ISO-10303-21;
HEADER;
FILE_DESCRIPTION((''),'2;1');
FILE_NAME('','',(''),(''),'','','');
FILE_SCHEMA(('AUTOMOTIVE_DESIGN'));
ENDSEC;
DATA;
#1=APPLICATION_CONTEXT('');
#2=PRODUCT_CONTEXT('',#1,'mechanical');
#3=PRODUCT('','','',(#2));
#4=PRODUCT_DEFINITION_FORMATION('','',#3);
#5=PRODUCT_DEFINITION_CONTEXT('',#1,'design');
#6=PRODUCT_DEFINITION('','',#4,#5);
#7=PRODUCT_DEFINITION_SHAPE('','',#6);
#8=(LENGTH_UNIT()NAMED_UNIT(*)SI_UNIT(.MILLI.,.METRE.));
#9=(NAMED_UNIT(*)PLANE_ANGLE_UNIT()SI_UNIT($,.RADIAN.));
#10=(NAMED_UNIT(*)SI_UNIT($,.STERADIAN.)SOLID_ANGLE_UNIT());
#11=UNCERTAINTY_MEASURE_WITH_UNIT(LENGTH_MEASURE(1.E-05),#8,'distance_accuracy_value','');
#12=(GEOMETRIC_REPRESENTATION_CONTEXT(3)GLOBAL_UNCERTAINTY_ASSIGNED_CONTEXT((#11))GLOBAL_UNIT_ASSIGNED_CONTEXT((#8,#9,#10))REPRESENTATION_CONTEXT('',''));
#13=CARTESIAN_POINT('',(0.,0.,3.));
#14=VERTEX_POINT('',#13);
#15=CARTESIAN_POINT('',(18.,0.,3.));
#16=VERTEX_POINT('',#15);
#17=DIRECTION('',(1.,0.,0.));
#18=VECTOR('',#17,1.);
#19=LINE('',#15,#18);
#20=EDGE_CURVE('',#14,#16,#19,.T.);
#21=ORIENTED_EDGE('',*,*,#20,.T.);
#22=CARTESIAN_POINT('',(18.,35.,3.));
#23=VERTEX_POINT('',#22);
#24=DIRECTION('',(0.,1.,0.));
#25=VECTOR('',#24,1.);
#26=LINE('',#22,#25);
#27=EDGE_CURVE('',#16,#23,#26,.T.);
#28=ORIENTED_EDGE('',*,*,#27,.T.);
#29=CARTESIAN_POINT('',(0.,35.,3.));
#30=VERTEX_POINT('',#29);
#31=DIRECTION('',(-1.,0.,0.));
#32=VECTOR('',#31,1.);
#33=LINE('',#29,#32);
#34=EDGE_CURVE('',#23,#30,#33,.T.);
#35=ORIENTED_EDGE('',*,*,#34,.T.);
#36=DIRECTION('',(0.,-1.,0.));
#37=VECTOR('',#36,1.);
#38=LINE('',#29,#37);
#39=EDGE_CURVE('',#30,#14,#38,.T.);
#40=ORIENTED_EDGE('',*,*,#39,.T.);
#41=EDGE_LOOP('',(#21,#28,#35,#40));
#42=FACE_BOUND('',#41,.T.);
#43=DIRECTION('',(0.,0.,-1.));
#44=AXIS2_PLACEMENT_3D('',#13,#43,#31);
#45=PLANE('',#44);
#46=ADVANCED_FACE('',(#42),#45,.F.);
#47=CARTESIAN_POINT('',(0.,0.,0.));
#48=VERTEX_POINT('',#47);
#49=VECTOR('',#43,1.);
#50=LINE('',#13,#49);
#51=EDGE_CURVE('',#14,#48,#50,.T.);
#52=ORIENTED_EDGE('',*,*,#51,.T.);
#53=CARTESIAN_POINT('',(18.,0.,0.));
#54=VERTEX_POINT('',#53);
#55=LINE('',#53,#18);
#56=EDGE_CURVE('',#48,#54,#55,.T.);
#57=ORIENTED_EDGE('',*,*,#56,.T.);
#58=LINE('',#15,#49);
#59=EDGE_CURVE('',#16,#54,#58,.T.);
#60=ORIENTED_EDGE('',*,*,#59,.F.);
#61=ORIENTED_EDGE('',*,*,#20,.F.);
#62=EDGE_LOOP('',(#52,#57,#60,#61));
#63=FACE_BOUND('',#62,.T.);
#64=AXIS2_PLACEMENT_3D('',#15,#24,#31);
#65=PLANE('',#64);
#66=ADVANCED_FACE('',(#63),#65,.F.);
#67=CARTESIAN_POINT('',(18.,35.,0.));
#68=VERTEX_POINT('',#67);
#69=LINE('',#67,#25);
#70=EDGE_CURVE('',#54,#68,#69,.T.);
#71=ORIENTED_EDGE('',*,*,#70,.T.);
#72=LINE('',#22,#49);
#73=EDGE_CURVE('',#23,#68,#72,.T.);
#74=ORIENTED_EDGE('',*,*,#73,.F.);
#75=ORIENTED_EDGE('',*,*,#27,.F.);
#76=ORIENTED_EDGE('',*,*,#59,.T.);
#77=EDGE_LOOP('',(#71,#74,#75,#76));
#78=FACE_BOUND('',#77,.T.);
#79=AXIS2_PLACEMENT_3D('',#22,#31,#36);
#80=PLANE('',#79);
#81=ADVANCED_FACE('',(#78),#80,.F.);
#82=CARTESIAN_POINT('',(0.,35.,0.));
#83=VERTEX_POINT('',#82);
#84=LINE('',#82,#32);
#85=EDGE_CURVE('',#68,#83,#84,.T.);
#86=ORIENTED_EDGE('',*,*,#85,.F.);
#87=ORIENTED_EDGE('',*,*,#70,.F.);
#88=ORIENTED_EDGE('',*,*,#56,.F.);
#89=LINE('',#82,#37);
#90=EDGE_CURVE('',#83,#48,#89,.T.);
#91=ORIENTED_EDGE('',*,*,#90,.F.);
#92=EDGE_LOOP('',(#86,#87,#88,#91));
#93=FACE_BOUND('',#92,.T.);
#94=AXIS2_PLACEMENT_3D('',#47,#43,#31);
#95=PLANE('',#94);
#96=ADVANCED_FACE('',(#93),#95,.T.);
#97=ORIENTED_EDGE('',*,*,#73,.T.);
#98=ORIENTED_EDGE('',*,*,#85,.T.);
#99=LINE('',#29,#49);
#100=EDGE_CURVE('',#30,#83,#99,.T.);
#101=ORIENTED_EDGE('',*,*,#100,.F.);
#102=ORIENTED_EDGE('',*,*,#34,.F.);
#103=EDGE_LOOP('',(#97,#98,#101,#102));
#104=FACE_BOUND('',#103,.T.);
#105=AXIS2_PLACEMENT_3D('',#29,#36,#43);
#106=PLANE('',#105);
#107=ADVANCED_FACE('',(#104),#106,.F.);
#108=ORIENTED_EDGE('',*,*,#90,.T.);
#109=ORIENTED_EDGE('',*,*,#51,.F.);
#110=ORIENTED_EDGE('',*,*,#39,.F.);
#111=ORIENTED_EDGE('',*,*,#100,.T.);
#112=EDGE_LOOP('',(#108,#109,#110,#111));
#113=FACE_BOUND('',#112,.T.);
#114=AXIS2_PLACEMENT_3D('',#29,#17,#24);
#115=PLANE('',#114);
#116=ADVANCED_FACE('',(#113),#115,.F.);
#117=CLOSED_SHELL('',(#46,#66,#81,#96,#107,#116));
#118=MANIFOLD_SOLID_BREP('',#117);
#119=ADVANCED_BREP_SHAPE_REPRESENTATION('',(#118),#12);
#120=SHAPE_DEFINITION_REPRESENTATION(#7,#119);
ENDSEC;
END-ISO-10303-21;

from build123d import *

# Parameters (mm, degrees)
SKETCH1_W           = 18
SKETCH1_H           = 35
BOSS_EXTRUDE1_DEPTH = 3


with BuildPart() as part:
    # Sketch1 → Boss-Extrude1 (new body)
    with BuildSketch(Plane.XY):
        with Locations((9, 17.5)):
            Rectangle(SKETCH1_W, SKETCH1_H)
    extrude(amount=BOSS_EXTRUDE1_DEPTH)


solid = part.part
